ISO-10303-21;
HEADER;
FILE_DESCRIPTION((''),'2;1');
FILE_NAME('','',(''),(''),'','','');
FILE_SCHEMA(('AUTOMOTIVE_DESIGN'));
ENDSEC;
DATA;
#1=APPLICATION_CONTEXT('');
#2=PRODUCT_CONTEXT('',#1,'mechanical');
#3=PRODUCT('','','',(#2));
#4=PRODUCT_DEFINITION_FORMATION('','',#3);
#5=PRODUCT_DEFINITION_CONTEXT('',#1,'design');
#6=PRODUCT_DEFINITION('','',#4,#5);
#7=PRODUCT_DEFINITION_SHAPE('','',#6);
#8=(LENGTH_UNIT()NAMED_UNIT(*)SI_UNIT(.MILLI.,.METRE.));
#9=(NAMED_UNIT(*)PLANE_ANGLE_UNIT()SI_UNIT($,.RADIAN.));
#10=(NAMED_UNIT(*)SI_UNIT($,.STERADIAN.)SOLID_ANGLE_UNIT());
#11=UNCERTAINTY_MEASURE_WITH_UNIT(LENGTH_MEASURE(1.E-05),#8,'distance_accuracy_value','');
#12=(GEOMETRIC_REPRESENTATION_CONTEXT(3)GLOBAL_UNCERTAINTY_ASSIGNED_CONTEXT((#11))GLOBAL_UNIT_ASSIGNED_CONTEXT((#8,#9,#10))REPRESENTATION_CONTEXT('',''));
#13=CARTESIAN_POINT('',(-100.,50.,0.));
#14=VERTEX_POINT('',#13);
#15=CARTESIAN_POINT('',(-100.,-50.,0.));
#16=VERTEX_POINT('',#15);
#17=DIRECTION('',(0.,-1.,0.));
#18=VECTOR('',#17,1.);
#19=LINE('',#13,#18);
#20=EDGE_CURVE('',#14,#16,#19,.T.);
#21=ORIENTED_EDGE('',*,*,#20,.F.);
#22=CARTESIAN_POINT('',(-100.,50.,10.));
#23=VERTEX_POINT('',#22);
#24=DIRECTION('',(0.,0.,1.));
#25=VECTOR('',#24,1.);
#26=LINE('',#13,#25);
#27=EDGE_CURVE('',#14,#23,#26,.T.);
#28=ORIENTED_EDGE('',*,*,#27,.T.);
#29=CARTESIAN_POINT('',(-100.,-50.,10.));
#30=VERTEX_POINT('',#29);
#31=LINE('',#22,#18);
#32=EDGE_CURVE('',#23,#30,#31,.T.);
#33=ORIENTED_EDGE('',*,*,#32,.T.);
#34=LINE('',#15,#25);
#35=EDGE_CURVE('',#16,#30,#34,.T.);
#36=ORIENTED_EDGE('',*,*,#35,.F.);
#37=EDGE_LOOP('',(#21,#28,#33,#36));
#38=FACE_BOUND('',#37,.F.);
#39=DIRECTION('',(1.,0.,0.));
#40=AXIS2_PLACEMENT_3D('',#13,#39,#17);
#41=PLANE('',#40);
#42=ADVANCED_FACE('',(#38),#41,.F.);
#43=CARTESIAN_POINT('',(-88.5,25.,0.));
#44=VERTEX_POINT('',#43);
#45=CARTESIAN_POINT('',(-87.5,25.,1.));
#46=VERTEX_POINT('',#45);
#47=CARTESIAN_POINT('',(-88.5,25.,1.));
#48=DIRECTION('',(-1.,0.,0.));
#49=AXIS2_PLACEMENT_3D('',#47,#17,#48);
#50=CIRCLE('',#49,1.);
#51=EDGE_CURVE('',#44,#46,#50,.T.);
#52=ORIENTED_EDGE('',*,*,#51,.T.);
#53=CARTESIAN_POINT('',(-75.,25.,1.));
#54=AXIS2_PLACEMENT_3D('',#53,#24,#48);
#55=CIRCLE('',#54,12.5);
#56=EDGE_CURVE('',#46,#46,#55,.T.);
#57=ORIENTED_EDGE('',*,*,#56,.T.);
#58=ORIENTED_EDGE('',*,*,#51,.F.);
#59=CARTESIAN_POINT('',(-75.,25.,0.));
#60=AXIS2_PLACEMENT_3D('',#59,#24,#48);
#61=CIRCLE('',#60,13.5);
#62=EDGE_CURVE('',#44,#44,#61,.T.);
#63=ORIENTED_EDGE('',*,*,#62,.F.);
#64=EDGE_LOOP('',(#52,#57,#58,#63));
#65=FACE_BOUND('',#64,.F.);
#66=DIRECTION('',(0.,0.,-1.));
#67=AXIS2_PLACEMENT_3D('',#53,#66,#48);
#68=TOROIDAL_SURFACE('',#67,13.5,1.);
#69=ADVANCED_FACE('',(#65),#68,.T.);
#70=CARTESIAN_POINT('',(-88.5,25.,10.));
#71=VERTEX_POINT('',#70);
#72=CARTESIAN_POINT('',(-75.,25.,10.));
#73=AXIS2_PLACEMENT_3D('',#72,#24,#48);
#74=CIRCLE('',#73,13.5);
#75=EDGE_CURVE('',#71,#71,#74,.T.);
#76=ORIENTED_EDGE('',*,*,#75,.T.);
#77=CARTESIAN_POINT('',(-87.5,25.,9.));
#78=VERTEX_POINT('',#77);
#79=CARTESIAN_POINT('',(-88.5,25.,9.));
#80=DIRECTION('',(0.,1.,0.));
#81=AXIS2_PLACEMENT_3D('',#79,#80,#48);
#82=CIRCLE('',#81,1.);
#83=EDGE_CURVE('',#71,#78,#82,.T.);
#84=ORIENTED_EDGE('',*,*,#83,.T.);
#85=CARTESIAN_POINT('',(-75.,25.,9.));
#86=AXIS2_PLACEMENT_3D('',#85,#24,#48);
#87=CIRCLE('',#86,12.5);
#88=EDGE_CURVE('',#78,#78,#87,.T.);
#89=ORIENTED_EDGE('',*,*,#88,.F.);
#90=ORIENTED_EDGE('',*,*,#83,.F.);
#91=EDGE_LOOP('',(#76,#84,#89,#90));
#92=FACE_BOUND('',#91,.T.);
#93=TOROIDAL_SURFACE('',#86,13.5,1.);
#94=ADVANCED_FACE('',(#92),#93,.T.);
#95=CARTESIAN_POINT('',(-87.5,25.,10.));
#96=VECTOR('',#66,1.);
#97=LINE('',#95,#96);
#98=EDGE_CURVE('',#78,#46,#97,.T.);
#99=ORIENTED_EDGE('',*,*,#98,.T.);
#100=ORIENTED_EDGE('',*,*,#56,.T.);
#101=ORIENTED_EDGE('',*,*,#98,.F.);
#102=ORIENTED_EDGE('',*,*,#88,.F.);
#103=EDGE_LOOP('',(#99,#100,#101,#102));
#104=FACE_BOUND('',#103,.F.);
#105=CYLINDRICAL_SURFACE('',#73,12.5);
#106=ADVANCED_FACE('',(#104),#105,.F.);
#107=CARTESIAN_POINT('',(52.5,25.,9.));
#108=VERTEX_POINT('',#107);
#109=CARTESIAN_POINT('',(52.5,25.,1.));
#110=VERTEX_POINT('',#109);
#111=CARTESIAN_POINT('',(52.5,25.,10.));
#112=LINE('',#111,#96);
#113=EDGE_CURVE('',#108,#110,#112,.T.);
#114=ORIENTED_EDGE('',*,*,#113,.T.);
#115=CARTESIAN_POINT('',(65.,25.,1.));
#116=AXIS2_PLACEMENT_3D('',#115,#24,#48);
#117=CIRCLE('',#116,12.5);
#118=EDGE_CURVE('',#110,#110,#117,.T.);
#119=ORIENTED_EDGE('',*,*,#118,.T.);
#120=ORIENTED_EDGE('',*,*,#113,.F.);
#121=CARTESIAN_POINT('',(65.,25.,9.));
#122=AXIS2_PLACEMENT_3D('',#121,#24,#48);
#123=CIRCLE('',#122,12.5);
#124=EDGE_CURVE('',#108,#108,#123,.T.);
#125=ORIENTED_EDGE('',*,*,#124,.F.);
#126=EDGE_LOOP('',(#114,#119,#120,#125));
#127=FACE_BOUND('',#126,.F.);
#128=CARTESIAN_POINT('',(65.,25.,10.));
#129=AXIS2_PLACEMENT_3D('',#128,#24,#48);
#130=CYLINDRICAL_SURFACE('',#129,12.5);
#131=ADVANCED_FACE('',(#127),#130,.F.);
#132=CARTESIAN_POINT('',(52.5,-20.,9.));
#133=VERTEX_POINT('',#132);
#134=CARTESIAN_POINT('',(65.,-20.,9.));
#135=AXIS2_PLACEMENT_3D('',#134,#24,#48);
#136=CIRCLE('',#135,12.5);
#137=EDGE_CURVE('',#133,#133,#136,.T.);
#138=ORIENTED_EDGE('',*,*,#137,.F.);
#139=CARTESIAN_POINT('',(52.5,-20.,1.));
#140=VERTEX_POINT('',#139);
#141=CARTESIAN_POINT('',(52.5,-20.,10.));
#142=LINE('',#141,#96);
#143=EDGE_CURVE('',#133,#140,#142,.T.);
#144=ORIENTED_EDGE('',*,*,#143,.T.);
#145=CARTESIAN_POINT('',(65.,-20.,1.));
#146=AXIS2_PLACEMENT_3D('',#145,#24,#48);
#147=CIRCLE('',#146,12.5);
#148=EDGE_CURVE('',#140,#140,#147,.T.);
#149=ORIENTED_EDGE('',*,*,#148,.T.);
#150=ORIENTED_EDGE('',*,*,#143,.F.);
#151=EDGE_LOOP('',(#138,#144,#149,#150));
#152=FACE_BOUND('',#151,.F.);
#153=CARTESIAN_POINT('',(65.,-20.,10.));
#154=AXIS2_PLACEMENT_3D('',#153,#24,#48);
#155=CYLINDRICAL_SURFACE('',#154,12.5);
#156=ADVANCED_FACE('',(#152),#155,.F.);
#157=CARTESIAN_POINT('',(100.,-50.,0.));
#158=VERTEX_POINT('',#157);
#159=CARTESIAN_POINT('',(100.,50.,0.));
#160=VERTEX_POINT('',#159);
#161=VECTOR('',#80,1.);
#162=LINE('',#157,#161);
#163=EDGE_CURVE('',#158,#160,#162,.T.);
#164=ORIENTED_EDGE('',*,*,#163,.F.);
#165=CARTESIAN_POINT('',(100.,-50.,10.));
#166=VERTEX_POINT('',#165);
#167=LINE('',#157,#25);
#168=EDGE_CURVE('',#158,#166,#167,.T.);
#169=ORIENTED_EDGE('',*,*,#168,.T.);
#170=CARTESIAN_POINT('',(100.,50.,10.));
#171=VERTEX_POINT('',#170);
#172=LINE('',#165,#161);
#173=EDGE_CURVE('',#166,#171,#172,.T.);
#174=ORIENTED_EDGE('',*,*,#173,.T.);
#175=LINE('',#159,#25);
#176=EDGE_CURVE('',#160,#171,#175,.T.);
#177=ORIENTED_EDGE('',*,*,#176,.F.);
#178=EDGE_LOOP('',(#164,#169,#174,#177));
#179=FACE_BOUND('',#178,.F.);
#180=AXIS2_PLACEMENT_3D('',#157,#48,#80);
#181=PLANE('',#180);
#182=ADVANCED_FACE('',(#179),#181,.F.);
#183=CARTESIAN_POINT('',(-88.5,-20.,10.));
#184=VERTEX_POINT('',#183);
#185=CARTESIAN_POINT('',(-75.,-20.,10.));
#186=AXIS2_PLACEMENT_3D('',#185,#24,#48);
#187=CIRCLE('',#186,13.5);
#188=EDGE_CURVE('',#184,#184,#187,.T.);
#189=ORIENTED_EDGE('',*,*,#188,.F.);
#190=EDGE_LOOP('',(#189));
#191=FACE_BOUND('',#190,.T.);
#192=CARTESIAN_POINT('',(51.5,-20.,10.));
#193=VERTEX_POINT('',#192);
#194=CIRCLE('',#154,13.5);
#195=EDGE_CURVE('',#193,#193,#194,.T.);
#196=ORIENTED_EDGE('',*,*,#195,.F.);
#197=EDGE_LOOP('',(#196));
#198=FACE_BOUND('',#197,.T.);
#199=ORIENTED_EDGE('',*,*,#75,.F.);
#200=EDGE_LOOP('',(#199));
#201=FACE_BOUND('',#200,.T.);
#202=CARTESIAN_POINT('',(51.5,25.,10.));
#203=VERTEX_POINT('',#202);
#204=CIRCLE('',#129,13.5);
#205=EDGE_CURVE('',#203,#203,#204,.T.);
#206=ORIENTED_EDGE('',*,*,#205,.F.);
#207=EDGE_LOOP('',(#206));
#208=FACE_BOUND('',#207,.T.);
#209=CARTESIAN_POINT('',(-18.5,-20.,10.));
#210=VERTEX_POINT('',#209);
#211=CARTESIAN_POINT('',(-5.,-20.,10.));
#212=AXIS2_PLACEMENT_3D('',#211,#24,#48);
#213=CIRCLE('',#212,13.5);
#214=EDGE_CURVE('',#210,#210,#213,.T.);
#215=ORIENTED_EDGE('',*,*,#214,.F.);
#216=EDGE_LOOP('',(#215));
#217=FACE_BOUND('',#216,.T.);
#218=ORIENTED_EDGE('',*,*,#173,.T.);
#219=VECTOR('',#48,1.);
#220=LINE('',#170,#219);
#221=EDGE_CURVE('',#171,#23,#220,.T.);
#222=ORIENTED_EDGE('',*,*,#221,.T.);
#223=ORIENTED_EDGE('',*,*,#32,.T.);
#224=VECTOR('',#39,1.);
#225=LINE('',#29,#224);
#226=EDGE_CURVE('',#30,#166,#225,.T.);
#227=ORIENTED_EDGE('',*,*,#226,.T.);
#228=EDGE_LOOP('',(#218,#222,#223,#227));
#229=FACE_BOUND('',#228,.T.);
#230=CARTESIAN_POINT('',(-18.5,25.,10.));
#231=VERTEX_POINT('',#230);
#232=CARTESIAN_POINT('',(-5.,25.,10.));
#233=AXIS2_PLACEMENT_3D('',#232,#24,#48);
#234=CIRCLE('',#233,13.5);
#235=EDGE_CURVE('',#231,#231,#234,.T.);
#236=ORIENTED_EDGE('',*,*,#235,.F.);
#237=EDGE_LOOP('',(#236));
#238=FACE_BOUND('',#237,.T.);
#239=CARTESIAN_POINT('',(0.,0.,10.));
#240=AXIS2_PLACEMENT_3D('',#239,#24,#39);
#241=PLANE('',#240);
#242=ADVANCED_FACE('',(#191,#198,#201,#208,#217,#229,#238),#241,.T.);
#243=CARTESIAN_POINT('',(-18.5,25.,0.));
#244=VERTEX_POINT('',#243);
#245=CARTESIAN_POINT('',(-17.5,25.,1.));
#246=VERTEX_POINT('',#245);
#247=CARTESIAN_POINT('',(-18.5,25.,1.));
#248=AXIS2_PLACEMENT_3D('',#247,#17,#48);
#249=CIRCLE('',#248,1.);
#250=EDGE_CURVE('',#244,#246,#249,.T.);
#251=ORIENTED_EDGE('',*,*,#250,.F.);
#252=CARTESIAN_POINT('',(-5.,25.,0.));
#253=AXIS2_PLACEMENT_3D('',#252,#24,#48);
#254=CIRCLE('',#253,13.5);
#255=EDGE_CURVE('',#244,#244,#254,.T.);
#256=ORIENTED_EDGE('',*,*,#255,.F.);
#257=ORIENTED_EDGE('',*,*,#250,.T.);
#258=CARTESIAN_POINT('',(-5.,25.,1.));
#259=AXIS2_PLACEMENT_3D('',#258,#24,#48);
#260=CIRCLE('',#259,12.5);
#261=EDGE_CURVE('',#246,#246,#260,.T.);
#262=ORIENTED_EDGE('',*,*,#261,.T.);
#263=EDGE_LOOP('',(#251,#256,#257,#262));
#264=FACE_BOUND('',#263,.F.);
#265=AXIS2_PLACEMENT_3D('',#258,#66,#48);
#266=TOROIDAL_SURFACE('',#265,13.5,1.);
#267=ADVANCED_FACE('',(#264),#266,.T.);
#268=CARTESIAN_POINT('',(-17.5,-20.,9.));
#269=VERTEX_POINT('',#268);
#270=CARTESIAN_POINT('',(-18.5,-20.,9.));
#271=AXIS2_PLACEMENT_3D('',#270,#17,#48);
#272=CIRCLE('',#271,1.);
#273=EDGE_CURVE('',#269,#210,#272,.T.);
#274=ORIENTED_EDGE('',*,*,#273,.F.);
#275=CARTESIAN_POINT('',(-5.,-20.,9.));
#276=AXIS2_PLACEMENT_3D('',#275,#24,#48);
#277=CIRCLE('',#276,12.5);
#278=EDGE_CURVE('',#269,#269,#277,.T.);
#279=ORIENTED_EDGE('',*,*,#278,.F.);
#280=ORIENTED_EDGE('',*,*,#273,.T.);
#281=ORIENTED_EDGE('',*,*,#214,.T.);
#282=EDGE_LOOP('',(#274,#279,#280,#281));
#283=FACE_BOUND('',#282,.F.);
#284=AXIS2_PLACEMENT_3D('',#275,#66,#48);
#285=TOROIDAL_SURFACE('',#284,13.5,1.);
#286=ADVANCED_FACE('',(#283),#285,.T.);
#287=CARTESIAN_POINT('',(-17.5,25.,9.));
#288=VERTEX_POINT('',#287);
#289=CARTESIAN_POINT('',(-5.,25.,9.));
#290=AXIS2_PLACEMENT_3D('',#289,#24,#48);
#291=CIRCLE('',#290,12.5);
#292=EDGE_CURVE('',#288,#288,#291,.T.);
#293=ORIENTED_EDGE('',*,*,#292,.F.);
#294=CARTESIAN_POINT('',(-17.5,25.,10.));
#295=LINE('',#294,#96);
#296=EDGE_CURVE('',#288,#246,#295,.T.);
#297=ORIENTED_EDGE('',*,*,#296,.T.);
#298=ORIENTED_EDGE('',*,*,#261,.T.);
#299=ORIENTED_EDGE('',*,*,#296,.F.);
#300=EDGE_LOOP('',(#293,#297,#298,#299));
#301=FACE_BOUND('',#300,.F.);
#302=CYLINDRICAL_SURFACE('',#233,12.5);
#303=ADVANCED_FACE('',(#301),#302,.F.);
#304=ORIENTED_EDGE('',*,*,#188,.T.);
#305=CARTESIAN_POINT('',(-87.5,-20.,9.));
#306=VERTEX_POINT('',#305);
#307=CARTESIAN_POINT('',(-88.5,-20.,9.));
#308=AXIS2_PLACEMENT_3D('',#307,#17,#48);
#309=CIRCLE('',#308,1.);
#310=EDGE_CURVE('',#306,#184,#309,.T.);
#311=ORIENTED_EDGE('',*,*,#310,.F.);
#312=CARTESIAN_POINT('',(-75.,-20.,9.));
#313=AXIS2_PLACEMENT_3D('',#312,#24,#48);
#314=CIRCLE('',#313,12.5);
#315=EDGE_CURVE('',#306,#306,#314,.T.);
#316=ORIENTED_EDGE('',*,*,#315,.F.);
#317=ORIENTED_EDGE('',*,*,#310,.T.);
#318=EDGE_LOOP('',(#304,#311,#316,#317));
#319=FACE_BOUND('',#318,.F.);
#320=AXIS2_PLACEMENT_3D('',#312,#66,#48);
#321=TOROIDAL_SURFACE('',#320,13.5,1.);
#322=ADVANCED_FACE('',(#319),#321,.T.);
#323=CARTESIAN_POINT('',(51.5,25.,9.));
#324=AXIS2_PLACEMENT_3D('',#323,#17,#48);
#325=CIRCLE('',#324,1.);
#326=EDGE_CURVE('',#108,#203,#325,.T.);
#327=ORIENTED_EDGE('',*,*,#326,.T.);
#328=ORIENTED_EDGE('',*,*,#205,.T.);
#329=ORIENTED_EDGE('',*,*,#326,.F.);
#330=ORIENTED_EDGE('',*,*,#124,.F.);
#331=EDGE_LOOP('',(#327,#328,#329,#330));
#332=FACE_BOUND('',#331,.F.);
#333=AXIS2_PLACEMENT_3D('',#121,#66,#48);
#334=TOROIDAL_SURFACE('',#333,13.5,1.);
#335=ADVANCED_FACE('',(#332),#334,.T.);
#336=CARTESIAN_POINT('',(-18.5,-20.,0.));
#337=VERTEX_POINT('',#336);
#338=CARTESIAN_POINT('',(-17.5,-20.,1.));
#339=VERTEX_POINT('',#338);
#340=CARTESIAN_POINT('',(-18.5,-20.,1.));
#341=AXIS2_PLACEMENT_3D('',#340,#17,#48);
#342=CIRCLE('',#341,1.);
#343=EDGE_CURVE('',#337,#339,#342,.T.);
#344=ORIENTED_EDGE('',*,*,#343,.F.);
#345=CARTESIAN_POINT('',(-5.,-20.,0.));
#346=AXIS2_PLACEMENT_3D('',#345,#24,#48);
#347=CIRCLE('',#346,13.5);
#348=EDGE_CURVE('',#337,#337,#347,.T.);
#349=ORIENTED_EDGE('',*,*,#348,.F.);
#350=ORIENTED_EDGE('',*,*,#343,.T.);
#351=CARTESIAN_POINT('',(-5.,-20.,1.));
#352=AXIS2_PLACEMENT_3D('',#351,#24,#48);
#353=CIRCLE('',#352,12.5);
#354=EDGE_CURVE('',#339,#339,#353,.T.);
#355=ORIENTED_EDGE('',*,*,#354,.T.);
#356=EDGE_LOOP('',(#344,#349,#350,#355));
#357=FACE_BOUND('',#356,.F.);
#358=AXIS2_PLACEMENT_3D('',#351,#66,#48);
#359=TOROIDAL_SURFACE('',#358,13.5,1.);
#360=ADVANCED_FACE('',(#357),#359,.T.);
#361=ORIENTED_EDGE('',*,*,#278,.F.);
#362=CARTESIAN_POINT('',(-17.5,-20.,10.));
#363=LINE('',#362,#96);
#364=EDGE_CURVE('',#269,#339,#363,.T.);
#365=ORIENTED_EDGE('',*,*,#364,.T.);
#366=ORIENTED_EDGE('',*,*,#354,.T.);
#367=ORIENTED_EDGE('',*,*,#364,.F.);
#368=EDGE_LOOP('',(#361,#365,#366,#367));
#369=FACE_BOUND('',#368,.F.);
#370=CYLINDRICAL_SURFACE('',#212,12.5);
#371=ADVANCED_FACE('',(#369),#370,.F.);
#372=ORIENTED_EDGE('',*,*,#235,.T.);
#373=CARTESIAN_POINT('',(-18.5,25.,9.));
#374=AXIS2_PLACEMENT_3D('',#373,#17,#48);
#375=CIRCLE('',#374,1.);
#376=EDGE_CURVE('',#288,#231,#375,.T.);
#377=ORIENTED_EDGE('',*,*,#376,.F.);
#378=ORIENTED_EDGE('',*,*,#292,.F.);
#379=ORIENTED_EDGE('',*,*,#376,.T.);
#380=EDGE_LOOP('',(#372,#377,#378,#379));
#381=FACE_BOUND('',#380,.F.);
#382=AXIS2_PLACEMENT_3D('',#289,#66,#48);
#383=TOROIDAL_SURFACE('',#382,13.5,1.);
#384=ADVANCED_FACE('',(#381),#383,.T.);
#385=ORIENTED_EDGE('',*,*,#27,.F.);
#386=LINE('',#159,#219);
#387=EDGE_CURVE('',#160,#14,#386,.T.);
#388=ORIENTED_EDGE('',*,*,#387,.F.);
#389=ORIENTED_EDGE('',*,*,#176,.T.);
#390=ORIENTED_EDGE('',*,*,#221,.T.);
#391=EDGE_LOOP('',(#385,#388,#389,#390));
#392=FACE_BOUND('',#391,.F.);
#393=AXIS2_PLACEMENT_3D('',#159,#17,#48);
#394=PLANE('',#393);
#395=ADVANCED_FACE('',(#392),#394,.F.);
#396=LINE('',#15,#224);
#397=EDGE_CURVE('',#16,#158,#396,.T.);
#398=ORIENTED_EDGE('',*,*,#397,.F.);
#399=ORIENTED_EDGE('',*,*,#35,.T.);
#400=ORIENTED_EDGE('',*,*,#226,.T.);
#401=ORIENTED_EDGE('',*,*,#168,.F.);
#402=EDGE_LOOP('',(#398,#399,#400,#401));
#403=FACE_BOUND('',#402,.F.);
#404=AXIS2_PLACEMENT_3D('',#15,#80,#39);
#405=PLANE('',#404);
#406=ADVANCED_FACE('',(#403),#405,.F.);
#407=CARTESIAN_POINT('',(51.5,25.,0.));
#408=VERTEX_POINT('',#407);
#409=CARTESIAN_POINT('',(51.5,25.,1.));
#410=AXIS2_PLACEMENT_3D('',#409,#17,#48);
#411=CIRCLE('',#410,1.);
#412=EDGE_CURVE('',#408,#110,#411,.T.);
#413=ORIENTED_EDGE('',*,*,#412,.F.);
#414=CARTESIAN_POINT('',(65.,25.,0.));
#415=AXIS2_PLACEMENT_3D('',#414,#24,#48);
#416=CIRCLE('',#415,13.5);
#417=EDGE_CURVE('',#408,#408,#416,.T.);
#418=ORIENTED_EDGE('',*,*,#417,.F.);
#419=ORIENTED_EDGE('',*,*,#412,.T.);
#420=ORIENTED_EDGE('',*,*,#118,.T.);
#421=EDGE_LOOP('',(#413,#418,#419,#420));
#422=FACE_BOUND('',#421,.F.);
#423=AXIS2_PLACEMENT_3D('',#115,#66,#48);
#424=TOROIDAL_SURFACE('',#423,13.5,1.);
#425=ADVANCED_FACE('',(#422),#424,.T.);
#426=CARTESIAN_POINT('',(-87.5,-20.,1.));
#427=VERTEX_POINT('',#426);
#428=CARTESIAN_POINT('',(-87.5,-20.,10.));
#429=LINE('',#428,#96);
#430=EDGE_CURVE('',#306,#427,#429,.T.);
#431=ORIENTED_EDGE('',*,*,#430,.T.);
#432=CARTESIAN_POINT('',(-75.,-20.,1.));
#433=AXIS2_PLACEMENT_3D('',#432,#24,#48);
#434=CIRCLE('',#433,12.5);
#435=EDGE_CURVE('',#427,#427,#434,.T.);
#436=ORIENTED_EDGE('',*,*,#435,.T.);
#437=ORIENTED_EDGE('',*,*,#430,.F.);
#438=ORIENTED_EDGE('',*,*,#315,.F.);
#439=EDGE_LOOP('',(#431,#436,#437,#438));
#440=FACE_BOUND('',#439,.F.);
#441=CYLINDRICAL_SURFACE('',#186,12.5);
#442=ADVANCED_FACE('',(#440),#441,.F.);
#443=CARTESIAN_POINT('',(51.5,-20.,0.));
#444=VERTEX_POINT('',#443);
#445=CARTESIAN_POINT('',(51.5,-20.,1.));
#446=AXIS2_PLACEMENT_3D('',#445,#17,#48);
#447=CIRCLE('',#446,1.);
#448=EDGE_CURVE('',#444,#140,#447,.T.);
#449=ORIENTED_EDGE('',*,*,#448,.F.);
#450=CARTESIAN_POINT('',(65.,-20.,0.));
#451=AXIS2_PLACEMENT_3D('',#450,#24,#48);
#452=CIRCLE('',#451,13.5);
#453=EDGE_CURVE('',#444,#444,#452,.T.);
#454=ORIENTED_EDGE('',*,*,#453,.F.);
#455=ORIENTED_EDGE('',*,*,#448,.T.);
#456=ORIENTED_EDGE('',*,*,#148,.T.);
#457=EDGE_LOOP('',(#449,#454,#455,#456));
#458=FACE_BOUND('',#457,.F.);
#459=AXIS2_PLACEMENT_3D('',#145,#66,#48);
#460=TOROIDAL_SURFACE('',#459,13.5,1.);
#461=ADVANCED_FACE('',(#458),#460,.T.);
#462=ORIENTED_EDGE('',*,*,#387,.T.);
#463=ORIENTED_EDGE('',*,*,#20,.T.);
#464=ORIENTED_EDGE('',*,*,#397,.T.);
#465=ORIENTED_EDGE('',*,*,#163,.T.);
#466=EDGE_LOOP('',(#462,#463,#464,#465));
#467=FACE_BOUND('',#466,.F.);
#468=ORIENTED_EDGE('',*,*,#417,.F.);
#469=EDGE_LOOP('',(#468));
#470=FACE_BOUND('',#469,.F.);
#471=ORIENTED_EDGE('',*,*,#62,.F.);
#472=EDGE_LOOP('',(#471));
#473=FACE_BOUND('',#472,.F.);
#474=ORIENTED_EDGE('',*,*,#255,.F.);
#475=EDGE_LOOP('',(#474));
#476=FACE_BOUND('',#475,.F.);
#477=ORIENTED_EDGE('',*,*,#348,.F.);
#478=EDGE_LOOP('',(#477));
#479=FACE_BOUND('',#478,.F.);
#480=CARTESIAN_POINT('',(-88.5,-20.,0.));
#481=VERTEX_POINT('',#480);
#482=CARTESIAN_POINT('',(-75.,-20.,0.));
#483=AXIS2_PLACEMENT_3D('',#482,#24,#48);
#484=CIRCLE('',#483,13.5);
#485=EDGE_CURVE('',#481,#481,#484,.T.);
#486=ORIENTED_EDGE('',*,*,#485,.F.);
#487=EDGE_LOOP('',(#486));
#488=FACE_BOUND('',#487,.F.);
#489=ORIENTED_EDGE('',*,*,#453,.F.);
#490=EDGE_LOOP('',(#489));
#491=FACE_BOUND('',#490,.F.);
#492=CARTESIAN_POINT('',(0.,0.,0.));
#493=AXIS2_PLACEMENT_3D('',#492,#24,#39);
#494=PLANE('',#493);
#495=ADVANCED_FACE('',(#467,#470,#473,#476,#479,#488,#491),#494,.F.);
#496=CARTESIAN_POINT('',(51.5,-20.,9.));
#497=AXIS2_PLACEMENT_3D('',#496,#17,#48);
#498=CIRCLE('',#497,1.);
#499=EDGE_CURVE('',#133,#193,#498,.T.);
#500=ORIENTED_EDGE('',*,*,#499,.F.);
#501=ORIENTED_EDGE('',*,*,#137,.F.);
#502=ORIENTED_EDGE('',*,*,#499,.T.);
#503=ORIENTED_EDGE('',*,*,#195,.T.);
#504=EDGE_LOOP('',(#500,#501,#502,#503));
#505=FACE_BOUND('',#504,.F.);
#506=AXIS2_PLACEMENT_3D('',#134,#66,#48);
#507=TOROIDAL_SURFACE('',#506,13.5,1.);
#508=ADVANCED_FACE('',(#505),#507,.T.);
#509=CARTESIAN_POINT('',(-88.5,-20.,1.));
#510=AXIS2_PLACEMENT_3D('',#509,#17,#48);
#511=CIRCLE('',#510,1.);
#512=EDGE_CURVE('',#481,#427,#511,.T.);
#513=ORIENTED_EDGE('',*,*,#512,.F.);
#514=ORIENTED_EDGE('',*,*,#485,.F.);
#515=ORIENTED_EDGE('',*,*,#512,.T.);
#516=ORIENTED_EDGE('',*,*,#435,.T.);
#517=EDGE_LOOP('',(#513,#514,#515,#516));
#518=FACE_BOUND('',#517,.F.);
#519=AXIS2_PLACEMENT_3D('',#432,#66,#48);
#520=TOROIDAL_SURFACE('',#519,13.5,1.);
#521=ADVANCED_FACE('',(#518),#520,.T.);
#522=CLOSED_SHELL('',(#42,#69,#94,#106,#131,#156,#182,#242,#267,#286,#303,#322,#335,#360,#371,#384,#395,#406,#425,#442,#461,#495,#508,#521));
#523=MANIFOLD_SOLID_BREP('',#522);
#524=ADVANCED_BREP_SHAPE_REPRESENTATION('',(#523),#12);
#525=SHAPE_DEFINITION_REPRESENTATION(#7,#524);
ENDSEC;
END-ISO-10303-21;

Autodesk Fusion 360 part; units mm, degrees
sketch "Sketch1" plane through (0, 0, 0) normal (0, 0, 1) x (1, 0, 0)
  line L0 (100, 50) -> (-100, 50)
  line L1 (-100, 50) -> (-100, -50)
  line L2 (-100, -50) -> (100, -50)
  line L3 (100, -50) -> (100, 50)
  line L4 (100, 50) -> (-100, -50) construction
  line L5 (-100, 50) -> (100, -50) construction
  dimension "d1" = 200
  dimension "d2" = 100
extrude "Extrude1" add sketch "Sketch1" along normal blind 10
sketch "Sketch2" plane through (0, 0, 10) normal (0, 0, 1) x (-1, 0, 0)
  line L0 (-100, 50) -> (-100, -50)
  line L1 (-100, -50) -> (100, -50)
  line L2 (100, -50) -> (100, 50)
  line L3 (100, 50) -> (-100, 50)
  circle A0 centre (75, -25) radius 12.5
  dimension "d5" = 25
  dimension "d6" = 25
  dimension "d7" = 25
extrude "Extrude2" cut sketch "Sketch2" against normal blind 70 contours A0
fillet "Fillet1" radius 1 2 edges at (-63.3459, 20.4798, 10) (-63.3459, 29.5202, 0)
sketch "Sketch3" plane through (0, 0, 10) normal (0, 0, 1) x (-1, 0, 0)
  line L0 (-100, 50) -> (-100, -50)
  line L1 (-100, -50) -> (100, -50)
  line L2 (100, -50) -> (100, 50)
  line L3 (100, 50) -> (-100, 50)
  circle A0 centre (75, -25) radius 13.5
pattern_linear "R-Pattern1" count 3 spacing 70 along (1, 0, 0) count 2 spacing 45 along (0, -1, 0) of "Extrude2", "Fillet1"
